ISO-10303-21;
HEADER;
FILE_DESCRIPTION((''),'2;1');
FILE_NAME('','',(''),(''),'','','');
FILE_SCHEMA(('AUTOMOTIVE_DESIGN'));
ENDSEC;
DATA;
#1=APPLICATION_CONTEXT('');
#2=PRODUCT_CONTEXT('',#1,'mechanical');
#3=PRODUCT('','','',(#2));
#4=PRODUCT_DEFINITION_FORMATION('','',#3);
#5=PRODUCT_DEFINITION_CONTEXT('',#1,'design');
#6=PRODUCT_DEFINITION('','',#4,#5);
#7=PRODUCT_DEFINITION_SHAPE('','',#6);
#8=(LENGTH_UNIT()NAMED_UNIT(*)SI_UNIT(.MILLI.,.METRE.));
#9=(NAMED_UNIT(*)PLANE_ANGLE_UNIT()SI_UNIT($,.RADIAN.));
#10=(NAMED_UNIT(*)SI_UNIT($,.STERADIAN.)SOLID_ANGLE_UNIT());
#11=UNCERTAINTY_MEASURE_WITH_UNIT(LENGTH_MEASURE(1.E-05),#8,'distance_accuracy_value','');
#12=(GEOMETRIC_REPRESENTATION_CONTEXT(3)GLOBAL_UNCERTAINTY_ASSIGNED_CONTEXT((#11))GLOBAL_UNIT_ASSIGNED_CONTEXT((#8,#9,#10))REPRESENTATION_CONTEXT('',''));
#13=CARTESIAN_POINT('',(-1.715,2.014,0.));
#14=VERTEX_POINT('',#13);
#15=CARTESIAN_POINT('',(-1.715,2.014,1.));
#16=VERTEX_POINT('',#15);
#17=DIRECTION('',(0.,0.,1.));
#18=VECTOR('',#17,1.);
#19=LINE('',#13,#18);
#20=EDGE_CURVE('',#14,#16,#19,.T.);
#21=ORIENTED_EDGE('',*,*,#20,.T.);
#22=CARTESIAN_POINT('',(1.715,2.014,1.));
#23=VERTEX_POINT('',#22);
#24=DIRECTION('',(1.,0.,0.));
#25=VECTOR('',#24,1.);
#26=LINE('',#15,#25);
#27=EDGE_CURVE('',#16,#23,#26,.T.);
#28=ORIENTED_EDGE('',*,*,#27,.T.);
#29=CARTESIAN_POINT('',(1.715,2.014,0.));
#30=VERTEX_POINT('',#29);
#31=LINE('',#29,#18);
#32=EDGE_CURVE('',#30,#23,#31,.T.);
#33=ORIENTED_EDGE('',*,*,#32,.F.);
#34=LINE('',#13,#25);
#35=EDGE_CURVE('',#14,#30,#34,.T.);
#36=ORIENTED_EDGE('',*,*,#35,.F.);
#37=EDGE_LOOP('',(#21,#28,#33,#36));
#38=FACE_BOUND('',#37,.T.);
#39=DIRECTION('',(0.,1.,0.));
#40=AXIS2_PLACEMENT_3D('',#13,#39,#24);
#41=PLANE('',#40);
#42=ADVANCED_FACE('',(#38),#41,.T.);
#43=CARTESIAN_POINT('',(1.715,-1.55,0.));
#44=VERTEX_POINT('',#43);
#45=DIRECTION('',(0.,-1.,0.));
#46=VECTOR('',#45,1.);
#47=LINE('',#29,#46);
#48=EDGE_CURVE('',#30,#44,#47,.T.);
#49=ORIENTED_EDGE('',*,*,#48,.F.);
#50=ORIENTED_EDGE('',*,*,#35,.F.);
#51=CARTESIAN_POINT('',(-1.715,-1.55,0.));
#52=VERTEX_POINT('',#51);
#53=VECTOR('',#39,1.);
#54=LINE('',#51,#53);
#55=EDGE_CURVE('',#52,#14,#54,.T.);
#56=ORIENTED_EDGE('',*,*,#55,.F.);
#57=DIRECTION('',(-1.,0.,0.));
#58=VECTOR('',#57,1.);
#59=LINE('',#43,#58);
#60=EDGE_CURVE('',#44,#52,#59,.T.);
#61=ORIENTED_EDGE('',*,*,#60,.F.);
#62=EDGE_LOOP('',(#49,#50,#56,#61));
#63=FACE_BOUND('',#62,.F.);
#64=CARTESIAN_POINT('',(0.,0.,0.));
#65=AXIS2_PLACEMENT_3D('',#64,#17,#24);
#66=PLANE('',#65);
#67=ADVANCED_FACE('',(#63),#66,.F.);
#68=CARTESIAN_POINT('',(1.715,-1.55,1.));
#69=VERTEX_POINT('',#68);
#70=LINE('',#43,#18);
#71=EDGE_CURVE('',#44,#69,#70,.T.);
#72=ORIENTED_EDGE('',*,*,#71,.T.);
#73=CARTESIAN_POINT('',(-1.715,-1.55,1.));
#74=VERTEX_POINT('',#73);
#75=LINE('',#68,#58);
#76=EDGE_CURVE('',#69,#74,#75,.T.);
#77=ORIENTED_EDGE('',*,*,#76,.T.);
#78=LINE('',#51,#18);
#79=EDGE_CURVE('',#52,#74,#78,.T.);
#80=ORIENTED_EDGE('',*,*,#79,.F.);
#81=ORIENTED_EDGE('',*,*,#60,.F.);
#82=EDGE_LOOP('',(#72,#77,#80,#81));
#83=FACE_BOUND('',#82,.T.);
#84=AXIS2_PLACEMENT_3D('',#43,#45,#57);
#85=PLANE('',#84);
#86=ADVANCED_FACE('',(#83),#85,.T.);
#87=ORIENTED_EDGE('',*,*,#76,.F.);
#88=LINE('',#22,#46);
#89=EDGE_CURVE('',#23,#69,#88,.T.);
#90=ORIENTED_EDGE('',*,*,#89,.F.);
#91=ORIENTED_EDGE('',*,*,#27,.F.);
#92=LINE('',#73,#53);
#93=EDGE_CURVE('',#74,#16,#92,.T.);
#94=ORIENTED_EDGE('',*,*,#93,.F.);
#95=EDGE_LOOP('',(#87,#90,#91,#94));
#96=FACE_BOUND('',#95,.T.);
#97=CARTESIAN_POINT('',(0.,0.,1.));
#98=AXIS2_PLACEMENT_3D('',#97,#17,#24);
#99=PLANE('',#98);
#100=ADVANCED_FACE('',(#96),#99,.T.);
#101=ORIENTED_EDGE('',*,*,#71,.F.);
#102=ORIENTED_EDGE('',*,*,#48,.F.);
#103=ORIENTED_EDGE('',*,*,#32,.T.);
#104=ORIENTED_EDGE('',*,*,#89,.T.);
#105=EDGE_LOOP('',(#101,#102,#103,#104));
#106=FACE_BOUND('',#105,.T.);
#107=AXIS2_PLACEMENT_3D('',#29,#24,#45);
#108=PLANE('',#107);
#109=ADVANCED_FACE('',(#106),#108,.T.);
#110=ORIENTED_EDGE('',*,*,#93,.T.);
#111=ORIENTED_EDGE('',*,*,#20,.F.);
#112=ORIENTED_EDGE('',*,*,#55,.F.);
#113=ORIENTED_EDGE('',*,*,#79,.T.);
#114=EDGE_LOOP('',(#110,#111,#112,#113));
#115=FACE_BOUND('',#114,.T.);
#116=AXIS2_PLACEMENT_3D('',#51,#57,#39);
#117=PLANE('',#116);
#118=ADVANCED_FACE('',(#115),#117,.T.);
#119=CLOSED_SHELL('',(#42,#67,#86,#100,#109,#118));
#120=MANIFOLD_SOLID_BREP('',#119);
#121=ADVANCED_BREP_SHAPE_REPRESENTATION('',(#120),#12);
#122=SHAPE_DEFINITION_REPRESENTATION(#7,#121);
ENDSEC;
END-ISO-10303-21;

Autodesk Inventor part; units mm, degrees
ref_plane "YZ Plane" through (0, 0, 0) normal (1, 0, 0) x (0, 1, 0)
ref_plane "XZ Plane" through (0, 0, 0) normal (0, 1, 0) x (-1, 0, 0)
ref_plane "XY Plane" through (0, 0, 0) normal (0, 0, 1) x (1, 0, 0)
sketch "SOT23, DIODE_SM_156" plane through (0, 0, 0) normal (0, 0, 1) x (1, 0, 0)
  line L0 (-1.715, -1.55) -> (-1.715, 2.014)
  line L1 (-1.715, 2.014) -> (1.715, 2.014)
  line L2 (1.715, 2.014) -> (1.715, -1.55)
  line L3 (1.715, -1.55) -> (-1.715, -1.55)
extrude "Extrusion1" add sketch "SOT23, DIODE_SM_156" along normal blind 1
properties part number "DIODE_SM"
